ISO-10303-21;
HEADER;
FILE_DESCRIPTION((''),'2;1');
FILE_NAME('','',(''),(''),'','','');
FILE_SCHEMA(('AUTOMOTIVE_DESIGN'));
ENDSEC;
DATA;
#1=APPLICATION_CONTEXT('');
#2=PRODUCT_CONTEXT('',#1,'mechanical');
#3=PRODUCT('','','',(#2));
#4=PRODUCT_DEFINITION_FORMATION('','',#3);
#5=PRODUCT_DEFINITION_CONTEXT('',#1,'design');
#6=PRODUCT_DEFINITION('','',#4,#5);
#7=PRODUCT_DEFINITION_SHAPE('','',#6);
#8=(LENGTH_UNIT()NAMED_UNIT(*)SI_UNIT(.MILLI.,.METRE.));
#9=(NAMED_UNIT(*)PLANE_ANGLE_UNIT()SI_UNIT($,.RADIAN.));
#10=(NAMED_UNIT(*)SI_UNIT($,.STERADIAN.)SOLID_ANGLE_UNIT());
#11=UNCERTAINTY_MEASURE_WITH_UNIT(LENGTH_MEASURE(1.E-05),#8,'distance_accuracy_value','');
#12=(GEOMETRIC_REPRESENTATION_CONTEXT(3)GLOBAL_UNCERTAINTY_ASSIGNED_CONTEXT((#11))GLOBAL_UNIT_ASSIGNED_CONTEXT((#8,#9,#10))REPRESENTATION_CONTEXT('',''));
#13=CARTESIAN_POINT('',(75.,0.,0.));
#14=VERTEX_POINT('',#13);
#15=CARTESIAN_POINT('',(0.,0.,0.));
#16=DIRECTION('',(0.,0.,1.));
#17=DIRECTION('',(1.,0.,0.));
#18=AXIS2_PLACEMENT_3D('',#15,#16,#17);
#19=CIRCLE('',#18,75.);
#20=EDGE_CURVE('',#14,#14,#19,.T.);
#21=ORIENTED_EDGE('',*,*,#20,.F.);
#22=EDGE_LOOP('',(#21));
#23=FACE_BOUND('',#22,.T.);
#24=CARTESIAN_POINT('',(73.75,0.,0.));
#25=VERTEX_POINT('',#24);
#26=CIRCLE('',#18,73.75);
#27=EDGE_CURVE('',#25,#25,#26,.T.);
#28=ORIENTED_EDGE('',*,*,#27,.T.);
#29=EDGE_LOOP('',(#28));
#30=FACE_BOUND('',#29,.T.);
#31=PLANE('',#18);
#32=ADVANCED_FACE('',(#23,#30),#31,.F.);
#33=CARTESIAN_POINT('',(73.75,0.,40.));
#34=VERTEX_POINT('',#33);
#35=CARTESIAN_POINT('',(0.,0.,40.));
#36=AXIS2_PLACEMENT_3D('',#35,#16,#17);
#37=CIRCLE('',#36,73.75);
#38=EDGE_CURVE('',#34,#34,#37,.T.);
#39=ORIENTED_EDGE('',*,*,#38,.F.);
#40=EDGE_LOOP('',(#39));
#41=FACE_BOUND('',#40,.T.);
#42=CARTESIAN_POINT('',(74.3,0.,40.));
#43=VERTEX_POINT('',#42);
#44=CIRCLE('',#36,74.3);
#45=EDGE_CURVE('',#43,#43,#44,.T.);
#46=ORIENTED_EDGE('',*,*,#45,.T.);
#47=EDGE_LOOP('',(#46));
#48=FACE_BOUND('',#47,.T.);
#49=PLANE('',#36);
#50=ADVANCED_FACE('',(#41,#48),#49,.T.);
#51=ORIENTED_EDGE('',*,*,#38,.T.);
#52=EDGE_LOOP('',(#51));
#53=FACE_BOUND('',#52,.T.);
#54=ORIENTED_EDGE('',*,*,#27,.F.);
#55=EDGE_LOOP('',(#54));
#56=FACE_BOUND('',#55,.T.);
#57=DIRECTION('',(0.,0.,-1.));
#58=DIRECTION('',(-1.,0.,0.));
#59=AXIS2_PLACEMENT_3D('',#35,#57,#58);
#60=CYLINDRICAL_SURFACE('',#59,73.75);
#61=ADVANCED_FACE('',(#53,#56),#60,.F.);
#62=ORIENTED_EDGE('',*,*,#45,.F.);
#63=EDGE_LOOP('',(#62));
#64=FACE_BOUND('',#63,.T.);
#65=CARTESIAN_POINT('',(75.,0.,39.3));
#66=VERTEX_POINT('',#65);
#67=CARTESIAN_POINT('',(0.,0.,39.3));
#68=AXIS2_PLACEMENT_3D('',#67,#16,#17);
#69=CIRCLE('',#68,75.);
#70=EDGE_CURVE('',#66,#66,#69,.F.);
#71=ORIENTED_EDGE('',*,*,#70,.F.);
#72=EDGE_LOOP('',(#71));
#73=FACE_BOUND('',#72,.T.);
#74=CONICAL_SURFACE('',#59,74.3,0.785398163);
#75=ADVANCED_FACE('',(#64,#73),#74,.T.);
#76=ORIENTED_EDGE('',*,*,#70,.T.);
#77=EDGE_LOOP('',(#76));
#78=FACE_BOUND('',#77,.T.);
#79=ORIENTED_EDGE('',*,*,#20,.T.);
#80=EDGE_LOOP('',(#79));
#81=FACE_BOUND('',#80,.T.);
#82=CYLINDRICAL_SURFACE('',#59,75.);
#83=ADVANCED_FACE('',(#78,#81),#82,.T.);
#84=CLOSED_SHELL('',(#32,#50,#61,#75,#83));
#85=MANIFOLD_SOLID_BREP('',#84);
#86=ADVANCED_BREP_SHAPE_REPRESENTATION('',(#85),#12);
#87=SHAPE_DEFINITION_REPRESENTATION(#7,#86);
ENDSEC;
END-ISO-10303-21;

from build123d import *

# Parameters (mm, degrees)
SCHIZZO1_R                   = 75
SCHIZZO1_R_2                 = 73.75
ESTRUSIONE_ESTRUSIONE1_DEPTH = 40
SMUSSO1_SIZE                 = 0.7


with BuildPart() as part:
    # Schizzo1 → Estrusione-Estrusione1 (new body)
    with BuildSketch(Plane.XY):
        Circle(SCHIZZO1_R)
        Circle(SCHIZZO1_R_2, mode=Mode.SUBTRACT)
    extrude(amount=ESTRUSIONE_ESTRUSIONE1_DEPTH)

    # Smusso1
    smusso1_edges = [part.edges().sort_by_distance(p)[0] for p in [
        (-75, 0, 40),
    ]]
    chamfer(smusso1_edges, length=SMUSSO1_SIZE)


solid = part.part
